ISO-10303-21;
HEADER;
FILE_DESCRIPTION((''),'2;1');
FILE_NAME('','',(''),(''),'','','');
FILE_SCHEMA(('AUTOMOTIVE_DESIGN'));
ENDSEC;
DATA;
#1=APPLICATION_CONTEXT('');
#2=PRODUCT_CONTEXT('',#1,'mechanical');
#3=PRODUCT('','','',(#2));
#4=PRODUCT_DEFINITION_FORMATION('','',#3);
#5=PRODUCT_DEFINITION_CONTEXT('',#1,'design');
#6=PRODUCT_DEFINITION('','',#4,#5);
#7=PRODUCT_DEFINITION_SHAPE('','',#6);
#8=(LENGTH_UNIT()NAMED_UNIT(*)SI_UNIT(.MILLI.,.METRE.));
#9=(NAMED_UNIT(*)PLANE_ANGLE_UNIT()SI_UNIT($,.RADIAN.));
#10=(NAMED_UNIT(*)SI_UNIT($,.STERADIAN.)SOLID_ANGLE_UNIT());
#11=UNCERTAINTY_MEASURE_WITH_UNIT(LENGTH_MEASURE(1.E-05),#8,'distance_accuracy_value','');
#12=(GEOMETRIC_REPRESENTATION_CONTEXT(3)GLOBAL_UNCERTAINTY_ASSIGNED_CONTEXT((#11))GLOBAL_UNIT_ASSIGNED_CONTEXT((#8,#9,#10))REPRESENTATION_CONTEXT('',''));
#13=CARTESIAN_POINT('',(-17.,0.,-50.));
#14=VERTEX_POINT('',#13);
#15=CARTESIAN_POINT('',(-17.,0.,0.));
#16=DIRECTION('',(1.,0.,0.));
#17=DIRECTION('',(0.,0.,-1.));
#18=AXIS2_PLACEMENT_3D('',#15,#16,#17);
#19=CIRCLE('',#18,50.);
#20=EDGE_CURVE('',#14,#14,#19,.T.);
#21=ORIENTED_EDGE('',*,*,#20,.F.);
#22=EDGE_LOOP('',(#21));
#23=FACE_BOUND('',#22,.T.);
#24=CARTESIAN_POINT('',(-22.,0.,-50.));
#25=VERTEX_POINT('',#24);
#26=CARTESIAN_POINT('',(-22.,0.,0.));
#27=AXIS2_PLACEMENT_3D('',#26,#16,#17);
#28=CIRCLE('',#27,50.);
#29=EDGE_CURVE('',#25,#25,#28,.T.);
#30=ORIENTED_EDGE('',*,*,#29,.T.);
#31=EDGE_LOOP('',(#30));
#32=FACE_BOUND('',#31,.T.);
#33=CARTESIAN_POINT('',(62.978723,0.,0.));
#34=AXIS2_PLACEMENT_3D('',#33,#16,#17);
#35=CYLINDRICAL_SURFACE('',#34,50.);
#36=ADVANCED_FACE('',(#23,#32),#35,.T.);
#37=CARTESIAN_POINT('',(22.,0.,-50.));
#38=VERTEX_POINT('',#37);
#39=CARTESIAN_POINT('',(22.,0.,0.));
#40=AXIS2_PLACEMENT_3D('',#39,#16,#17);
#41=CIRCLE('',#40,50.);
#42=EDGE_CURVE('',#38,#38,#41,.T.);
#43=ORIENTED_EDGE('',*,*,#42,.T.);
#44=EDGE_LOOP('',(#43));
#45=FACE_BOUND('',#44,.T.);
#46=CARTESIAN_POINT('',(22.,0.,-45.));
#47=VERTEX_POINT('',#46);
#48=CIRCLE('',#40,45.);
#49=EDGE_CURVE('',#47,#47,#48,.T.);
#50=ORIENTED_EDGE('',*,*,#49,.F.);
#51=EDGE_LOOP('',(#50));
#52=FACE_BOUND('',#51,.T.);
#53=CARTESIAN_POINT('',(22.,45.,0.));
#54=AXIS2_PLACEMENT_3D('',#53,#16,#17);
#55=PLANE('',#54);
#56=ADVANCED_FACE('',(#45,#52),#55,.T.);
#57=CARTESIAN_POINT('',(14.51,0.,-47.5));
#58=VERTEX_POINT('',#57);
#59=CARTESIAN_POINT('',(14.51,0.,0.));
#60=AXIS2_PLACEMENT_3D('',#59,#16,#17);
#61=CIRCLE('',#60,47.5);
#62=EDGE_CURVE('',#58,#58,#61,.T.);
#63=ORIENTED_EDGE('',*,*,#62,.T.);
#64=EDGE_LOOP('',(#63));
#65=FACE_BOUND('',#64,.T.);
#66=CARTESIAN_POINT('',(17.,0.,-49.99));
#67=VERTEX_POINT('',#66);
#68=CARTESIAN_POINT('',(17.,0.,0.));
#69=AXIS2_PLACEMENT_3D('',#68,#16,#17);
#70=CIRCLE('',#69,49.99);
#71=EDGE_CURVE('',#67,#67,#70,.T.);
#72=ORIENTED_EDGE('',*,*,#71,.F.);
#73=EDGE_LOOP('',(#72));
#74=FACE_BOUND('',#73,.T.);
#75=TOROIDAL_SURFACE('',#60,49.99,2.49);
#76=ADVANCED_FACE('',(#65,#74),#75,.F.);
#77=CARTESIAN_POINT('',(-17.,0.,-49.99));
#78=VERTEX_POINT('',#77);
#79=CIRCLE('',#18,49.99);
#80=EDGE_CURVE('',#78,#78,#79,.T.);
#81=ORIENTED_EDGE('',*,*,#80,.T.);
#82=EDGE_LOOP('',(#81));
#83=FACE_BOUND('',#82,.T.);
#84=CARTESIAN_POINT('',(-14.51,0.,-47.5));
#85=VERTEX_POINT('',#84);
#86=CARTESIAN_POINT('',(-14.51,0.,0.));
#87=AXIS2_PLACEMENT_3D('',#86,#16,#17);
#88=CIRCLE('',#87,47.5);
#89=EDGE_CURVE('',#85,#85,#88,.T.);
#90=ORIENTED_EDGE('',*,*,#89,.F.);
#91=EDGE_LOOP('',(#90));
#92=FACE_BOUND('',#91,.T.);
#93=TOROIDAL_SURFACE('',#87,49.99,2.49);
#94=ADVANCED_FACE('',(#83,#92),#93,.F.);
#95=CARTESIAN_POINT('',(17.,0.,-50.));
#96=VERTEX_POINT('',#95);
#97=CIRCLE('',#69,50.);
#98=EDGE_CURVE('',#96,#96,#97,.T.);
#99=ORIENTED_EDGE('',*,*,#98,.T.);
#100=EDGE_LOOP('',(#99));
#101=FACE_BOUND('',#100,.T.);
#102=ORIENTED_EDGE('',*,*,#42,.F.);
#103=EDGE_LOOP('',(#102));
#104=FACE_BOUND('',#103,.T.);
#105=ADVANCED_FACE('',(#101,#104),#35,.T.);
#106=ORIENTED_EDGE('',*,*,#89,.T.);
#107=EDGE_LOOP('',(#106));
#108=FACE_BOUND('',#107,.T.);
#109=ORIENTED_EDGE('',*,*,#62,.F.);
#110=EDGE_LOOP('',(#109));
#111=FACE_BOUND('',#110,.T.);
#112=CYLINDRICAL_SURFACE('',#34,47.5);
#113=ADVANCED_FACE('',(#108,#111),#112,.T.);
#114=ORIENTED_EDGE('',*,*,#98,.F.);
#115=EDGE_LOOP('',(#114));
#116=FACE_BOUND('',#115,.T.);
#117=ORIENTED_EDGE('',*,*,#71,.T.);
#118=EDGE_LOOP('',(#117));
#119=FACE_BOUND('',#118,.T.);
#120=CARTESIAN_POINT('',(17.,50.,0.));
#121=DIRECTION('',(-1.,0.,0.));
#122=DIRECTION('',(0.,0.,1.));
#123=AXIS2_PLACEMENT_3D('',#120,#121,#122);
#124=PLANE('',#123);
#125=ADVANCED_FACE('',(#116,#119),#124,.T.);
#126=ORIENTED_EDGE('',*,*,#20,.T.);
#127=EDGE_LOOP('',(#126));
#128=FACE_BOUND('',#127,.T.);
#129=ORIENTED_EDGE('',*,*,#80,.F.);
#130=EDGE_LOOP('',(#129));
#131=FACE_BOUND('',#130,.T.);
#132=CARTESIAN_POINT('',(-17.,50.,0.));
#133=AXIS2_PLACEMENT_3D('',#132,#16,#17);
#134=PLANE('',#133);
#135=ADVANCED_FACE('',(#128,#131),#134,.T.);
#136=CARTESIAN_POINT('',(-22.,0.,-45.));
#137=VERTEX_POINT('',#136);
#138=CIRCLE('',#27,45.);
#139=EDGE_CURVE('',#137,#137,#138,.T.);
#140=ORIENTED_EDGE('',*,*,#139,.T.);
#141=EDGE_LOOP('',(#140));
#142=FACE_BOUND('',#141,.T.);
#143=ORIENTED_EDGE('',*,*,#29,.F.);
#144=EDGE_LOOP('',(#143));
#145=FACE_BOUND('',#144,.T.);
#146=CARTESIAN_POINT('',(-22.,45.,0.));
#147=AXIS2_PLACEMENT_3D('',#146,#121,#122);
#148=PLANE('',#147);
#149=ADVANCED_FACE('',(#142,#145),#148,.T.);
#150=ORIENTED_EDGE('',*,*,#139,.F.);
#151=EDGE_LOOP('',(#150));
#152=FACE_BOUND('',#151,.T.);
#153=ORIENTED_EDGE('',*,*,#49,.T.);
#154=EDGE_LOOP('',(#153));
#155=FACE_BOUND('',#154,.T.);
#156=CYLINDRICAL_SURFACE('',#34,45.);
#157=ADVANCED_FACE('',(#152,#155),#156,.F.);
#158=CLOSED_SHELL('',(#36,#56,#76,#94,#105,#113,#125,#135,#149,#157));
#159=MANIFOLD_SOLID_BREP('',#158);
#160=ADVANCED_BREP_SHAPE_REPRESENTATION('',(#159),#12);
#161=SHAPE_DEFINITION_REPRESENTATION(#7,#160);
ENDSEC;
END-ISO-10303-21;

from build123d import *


with BuildPart() as part:
    # Sketch1 → Revolve1 (revolve)
    with BuildSketch(Plane.XY, mode=Mode.PRIVATE) as revolve1_sk:
        with BuildLine():
            Line((22, 45), (-22, 45))
            Line((-22, 45), (-22, 50))
            Line((-22, 50), (-17, 50))
            Line((-17, 50), (-17, 49.99))
            ThreePointArc((-17, 49.99), (-16.270695885, 48.229304115), (-14.51, 47.5))
            Line((-14.51, 47.5), (14.51, 47.5))
            ThreePointArc((14.51, 47.5), (16.270695885, 48.229304115), (17, 49.99))
            Line((17, 49.99), (17, 50))
            Line((17, 50), (22, 50))
            Line((22, 50), (22, 45))
        make_face()
    revolve(revolve1_sk.sketch.rotate(Axis((62.978723404, 0, 0), (-1, 0, 0)), 90), axis=Axis((62.978723404, 0, 0), (-1, 0, 0)))


solid = part.part
